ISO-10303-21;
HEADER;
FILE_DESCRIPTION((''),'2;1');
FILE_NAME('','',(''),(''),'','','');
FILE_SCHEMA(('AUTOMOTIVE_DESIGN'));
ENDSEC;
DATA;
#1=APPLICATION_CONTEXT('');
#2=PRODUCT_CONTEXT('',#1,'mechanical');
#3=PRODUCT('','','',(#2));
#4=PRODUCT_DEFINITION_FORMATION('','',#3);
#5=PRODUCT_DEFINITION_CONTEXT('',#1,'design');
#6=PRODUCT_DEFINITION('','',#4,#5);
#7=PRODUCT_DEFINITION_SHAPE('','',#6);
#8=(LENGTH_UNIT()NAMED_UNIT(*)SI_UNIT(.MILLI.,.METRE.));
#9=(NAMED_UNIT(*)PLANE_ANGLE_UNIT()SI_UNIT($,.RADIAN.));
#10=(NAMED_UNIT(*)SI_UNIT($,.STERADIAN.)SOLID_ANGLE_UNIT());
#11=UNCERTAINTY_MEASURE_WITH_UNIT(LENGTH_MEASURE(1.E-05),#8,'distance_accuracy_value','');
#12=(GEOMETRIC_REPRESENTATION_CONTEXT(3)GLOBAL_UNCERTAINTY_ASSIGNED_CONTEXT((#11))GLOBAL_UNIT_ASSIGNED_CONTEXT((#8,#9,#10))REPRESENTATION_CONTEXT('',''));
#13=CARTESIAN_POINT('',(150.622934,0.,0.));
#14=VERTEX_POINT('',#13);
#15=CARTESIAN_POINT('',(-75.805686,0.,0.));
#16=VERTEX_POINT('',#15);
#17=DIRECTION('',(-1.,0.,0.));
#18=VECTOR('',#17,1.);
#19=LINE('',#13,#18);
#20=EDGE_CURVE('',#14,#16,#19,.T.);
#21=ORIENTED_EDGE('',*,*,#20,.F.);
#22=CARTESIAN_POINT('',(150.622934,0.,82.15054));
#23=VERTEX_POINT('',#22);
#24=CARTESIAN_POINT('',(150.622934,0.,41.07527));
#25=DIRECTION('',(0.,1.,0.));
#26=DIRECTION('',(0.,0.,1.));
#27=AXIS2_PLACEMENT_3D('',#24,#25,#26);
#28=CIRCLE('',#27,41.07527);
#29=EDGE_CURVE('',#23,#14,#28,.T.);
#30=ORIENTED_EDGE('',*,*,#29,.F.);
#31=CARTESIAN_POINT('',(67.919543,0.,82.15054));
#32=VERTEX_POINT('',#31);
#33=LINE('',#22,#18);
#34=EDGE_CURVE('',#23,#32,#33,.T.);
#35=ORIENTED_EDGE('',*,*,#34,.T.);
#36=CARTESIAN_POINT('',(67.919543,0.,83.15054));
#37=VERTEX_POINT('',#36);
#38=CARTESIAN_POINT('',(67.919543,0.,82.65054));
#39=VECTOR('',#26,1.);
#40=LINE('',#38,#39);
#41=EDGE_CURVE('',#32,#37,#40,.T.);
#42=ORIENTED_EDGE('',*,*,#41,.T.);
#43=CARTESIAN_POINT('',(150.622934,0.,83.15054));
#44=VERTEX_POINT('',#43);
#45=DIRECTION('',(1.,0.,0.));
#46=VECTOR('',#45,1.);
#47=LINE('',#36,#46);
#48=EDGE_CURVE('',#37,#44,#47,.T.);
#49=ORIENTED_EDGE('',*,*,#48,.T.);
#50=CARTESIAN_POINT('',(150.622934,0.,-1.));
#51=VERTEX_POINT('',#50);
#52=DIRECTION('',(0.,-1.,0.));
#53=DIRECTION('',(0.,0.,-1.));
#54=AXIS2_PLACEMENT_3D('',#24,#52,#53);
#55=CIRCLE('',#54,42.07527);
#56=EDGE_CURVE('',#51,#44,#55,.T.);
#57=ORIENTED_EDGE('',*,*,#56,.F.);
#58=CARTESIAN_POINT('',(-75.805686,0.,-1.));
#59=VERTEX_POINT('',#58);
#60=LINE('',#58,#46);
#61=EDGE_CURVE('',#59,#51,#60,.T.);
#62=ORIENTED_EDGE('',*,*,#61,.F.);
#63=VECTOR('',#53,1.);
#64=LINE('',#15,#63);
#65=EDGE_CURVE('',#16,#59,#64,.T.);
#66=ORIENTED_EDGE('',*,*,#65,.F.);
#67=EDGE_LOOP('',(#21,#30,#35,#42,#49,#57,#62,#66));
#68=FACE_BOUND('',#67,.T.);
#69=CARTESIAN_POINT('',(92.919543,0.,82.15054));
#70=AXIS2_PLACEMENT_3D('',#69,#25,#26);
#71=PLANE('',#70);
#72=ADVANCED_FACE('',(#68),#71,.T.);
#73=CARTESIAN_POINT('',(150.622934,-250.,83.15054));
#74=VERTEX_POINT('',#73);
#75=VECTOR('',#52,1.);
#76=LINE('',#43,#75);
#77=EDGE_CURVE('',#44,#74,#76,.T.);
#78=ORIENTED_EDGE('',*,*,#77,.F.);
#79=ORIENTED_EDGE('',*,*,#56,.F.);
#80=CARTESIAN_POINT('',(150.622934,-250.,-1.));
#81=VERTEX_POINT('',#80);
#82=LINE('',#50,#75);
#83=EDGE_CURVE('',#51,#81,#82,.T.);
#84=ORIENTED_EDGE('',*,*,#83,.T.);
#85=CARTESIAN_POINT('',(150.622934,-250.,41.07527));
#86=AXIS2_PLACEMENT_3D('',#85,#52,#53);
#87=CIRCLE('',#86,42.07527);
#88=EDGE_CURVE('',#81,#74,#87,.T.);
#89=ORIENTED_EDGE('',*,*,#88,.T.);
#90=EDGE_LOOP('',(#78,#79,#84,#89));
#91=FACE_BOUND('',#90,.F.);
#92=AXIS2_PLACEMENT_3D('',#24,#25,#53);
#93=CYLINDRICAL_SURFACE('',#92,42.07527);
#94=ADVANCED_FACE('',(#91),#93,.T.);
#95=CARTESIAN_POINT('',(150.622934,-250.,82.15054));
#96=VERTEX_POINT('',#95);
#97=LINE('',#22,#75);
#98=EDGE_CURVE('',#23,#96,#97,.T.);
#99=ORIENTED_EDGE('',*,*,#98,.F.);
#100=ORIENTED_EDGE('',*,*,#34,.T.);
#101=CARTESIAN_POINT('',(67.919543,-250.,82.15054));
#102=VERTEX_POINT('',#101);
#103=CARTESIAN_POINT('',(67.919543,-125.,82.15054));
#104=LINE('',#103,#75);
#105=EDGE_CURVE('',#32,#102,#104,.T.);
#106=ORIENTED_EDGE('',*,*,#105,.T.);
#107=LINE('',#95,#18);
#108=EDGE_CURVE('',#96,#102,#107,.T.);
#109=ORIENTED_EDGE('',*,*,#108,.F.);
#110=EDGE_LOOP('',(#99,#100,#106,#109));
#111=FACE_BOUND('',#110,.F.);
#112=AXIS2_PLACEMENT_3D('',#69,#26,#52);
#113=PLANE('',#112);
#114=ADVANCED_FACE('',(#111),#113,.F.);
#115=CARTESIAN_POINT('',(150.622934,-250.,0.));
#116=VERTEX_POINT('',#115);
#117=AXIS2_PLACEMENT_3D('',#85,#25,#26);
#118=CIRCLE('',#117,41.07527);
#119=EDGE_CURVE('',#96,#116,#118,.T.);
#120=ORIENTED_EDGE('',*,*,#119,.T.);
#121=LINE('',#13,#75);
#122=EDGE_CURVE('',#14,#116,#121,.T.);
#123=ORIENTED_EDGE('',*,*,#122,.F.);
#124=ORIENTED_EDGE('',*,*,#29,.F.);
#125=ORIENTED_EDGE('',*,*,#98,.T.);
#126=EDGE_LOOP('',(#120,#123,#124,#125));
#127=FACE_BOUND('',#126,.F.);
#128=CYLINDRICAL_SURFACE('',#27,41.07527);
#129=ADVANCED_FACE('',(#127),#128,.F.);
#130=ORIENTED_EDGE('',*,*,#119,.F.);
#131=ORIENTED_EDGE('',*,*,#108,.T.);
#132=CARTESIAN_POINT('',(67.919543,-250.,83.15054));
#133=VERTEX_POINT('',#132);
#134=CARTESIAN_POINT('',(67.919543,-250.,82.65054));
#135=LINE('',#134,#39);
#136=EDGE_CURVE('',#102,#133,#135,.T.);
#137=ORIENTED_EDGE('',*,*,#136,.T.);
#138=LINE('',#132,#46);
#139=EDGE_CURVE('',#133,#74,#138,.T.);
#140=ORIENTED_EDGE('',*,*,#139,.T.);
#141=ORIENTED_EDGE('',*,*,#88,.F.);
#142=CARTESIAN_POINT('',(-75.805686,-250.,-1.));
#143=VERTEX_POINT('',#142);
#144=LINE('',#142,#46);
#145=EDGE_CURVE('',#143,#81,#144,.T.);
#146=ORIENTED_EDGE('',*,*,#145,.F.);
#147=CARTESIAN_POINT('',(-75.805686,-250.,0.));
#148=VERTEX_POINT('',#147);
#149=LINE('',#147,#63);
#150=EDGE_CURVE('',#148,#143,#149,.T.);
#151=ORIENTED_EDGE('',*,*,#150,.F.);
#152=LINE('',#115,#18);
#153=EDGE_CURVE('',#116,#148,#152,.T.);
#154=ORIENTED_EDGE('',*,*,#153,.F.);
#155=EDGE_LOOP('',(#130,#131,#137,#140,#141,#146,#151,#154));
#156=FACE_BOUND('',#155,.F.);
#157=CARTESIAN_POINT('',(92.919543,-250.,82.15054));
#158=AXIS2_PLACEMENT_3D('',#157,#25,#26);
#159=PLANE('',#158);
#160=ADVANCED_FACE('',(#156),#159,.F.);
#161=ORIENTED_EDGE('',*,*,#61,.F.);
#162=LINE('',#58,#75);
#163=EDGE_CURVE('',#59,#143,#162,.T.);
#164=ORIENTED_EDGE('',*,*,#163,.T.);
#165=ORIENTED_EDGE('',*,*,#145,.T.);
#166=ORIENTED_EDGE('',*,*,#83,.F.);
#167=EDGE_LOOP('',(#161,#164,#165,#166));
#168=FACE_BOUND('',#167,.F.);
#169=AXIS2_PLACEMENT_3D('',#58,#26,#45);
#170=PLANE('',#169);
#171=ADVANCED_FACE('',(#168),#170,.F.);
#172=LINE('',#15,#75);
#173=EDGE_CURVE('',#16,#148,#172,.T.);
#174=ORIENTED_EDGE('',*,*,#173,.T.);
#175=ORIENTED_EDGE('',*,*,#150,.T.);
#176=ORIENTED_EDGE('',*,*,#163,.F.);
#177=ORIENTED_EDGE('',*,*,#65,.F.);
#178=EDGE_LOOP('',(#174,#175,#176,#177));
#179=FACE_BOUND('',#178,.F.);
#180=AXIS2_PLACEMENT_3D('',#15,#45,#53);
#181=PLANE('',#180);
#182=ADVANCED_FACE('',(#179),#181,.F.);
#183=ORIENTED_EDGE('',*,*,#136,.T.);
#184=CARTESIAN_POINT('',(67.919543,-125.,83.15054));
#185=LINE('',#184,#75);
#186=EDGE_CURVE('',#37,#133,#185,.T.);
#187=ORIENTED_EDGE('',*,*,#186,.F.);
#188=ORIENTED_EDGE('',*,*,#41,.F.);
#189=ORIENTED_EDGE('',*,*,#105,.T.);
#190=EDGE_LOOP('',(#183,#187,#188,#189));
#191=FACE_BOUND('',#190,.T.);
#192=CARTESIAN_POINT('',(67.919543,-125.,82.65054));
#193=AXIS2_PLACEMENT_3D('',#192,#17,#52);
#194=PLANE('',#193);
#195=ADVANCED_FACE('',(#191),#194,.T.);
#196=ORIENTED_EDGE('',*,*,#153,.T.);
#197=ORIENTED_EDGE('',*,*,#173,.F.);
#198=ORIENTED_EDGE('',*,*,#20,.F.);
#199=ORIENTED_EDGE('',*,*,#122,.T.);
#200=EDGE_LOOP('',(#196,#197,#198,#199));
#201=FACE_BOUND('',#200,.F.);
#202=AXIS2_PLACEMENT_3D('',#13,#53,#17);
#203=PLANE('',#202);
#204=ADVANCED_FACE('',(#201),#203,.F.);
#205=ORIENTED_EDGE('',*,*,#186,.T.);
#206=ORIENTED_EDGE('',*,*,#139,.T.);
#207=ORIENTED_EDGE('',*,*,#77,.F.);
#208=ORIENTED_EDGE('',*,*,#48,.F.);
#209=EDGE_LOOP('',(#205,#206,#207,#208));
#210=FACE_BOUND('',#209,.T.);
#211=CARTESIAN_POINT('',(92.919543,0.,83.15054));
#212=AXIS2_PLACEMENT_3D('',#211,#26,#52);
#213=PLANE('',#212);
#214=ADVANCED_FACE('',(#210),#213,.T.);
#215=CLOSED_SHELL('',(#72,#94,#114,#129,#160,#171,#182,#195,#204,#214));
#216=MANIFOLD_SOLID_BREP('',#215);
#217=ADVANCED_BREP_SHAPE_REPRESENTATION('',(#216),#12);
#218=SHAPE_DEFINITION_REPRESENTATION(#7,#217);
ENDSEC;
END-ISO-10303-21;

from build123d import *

# Parameters (mm, degrees)
F1_DEPTH  = 250
F1_FACE_W = 250
F1_FACE_H = 1
F2_DEPTH  = 25


with BuildPart() as f1:
    # F0 (on Front) → F1 (new body)
    with BuildSketch(Plane.XZ):
        with BuildLine():
            Line((150.622934, 0), (-75.805686, 0))
            Line((-75.805686, 0), (-75.805686, -1))
            Line((-75.805686, -1), (150.622934, -1))
            ThreePointArc((150.622934, -1), (192.698204, 41.07527), (150.622934, 83.15054))
            Line((150.622934, 83.15054), (92.919543, 83.15054))
            Line((92.919543, 83.15054), (92.919543, 82.15054))
            Line((92.919543, 82.15054), (150.622934, 82.15054))
            ThreePointArc((150.622934, 82.15054), (191.698204, 41.07527), (150.622934, 0))
        make_face()
    extrude(amount=F1_DEPTH)

    # F1_face (on face) → F2 (join)
    with BuildSketch(Plane(origin=(92.919543, -125, 82.65054), x_dir=(0, -1, 0), z_dir=(-1, 0, 0))):
        Rectangle(F1_FACE_W, F1_FACE_H)
    extrude(amount=F2_DEPTH)


solid = f1.part
